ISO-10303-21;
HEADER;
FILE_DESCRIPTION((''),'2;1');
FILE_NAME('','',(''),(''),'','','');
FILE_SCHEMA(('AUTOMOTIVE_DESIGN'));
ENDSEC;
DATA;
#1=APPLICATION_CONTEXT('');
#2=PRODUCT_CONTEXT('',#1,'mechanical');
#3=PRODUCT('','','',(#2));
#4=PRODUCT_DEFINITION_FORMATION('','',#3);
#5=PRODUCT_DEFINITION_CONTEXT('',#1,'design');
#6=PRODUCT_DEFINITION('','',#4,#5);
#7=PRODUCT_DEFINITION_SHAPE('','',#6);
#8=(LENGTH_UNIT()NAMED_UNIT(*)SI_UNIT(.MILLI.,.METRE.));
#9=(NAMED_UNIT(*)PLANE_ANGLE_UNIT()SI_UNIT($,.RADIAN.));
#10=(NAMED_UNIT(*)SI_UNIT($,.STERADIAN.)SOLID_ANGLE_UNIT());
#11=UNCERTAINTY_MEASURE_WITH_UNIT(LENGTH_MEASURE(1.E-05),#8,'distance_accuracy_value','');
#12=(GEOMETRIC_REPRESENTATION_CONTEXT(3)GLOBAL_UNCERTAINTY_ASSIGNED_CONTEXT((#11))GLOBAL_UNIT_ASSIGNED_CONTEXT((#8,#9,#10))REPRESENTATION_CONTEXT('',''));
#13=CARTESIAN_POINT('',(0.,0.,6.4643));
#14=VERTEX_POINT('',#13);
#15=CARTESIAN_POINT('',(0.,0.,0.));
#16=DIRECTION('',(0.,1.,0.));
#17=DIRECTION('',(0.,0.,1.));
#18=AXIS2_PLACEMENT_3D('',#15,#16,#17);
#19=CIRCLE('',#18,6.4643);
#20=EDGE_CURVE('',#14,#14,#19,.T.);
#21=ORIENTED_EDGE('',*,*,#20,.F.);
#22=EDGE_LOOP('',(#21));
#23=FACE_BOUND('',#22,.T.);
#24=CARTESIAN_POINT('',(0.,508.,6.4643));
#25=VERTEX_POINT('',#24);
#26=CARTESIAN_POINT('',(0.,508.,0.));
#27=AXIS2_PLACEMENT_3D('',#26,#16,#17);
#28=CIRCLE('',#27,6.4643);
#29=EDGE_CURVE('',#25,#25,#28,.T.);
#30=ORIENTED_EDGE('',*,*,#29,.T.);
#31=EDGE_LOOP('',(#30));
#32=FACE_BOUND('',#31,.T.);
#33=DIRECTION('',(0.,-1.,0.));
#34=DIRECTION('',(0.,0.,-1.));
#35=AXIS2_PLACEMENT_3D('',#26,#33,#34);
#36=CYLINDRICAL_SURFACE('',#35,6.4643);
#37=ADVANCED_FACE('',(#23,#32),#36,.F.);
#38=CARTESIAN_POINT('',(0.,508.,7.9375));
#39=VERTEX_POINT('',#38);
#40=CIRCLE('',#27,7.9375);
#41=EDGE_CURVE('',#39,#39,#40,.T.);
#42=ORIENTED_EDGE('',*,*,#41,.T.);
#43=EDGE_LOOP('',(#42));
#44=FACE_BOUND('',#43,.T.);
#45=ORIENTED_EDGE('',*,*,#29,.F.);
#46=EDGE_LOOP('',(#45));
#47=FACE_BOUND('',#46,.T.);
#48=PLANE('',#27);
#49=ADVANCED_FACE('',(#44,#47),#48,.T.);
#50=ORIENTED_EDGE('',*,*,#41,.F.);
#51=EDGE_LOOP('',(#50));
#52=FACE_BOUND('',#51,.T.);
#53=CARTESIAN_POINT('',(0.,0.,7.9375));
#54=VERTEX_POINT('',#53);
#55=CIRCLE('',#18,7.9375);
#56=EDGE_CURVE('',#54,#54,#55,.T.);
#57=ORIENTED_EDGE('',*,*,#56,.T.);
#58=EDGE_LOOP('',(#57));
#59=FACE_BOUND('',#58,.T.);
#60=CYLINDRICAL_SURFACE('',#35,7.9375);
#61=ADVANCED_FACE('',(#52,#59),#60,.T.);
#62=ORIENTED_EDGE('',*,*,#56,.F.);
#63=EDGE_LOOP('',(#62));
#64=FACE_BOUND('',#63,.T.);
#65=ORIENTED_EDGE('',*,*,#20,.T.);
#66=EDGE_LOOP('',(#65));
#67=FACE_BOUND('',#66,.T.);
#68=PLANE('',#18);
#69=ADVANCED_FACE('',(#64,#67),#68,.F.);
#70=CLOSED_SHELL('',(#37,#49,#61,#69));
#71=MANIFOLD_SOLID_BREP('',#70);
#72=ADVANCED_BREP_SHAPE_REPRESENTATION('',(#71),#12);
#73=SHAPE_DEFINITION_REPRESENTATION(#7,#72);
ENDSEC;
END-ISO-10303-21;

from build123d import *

# Parameters (mm, degrees)
SKETCH1_R           = 7.9375
SKETCH1_R_2         = 6.4643
BOSS_EXTRUDE1_DEPTH = 508


with BuildPart() as part:
    # Sketch1 → Boss-Extrude1 (new body)
    with BuildSketch(Plane(origin=(0, 0, 0), x_dir=(1, 0, 0), z_dir=(0, 1, 0))):
        Circle(SKETCH1_R)
        Circle(SKETCH1_R_2, mode=Mode.SUBTRACT)
    extrude(amount=BOSS_EXTRUDE1_DEPTH)


solid = part.part
